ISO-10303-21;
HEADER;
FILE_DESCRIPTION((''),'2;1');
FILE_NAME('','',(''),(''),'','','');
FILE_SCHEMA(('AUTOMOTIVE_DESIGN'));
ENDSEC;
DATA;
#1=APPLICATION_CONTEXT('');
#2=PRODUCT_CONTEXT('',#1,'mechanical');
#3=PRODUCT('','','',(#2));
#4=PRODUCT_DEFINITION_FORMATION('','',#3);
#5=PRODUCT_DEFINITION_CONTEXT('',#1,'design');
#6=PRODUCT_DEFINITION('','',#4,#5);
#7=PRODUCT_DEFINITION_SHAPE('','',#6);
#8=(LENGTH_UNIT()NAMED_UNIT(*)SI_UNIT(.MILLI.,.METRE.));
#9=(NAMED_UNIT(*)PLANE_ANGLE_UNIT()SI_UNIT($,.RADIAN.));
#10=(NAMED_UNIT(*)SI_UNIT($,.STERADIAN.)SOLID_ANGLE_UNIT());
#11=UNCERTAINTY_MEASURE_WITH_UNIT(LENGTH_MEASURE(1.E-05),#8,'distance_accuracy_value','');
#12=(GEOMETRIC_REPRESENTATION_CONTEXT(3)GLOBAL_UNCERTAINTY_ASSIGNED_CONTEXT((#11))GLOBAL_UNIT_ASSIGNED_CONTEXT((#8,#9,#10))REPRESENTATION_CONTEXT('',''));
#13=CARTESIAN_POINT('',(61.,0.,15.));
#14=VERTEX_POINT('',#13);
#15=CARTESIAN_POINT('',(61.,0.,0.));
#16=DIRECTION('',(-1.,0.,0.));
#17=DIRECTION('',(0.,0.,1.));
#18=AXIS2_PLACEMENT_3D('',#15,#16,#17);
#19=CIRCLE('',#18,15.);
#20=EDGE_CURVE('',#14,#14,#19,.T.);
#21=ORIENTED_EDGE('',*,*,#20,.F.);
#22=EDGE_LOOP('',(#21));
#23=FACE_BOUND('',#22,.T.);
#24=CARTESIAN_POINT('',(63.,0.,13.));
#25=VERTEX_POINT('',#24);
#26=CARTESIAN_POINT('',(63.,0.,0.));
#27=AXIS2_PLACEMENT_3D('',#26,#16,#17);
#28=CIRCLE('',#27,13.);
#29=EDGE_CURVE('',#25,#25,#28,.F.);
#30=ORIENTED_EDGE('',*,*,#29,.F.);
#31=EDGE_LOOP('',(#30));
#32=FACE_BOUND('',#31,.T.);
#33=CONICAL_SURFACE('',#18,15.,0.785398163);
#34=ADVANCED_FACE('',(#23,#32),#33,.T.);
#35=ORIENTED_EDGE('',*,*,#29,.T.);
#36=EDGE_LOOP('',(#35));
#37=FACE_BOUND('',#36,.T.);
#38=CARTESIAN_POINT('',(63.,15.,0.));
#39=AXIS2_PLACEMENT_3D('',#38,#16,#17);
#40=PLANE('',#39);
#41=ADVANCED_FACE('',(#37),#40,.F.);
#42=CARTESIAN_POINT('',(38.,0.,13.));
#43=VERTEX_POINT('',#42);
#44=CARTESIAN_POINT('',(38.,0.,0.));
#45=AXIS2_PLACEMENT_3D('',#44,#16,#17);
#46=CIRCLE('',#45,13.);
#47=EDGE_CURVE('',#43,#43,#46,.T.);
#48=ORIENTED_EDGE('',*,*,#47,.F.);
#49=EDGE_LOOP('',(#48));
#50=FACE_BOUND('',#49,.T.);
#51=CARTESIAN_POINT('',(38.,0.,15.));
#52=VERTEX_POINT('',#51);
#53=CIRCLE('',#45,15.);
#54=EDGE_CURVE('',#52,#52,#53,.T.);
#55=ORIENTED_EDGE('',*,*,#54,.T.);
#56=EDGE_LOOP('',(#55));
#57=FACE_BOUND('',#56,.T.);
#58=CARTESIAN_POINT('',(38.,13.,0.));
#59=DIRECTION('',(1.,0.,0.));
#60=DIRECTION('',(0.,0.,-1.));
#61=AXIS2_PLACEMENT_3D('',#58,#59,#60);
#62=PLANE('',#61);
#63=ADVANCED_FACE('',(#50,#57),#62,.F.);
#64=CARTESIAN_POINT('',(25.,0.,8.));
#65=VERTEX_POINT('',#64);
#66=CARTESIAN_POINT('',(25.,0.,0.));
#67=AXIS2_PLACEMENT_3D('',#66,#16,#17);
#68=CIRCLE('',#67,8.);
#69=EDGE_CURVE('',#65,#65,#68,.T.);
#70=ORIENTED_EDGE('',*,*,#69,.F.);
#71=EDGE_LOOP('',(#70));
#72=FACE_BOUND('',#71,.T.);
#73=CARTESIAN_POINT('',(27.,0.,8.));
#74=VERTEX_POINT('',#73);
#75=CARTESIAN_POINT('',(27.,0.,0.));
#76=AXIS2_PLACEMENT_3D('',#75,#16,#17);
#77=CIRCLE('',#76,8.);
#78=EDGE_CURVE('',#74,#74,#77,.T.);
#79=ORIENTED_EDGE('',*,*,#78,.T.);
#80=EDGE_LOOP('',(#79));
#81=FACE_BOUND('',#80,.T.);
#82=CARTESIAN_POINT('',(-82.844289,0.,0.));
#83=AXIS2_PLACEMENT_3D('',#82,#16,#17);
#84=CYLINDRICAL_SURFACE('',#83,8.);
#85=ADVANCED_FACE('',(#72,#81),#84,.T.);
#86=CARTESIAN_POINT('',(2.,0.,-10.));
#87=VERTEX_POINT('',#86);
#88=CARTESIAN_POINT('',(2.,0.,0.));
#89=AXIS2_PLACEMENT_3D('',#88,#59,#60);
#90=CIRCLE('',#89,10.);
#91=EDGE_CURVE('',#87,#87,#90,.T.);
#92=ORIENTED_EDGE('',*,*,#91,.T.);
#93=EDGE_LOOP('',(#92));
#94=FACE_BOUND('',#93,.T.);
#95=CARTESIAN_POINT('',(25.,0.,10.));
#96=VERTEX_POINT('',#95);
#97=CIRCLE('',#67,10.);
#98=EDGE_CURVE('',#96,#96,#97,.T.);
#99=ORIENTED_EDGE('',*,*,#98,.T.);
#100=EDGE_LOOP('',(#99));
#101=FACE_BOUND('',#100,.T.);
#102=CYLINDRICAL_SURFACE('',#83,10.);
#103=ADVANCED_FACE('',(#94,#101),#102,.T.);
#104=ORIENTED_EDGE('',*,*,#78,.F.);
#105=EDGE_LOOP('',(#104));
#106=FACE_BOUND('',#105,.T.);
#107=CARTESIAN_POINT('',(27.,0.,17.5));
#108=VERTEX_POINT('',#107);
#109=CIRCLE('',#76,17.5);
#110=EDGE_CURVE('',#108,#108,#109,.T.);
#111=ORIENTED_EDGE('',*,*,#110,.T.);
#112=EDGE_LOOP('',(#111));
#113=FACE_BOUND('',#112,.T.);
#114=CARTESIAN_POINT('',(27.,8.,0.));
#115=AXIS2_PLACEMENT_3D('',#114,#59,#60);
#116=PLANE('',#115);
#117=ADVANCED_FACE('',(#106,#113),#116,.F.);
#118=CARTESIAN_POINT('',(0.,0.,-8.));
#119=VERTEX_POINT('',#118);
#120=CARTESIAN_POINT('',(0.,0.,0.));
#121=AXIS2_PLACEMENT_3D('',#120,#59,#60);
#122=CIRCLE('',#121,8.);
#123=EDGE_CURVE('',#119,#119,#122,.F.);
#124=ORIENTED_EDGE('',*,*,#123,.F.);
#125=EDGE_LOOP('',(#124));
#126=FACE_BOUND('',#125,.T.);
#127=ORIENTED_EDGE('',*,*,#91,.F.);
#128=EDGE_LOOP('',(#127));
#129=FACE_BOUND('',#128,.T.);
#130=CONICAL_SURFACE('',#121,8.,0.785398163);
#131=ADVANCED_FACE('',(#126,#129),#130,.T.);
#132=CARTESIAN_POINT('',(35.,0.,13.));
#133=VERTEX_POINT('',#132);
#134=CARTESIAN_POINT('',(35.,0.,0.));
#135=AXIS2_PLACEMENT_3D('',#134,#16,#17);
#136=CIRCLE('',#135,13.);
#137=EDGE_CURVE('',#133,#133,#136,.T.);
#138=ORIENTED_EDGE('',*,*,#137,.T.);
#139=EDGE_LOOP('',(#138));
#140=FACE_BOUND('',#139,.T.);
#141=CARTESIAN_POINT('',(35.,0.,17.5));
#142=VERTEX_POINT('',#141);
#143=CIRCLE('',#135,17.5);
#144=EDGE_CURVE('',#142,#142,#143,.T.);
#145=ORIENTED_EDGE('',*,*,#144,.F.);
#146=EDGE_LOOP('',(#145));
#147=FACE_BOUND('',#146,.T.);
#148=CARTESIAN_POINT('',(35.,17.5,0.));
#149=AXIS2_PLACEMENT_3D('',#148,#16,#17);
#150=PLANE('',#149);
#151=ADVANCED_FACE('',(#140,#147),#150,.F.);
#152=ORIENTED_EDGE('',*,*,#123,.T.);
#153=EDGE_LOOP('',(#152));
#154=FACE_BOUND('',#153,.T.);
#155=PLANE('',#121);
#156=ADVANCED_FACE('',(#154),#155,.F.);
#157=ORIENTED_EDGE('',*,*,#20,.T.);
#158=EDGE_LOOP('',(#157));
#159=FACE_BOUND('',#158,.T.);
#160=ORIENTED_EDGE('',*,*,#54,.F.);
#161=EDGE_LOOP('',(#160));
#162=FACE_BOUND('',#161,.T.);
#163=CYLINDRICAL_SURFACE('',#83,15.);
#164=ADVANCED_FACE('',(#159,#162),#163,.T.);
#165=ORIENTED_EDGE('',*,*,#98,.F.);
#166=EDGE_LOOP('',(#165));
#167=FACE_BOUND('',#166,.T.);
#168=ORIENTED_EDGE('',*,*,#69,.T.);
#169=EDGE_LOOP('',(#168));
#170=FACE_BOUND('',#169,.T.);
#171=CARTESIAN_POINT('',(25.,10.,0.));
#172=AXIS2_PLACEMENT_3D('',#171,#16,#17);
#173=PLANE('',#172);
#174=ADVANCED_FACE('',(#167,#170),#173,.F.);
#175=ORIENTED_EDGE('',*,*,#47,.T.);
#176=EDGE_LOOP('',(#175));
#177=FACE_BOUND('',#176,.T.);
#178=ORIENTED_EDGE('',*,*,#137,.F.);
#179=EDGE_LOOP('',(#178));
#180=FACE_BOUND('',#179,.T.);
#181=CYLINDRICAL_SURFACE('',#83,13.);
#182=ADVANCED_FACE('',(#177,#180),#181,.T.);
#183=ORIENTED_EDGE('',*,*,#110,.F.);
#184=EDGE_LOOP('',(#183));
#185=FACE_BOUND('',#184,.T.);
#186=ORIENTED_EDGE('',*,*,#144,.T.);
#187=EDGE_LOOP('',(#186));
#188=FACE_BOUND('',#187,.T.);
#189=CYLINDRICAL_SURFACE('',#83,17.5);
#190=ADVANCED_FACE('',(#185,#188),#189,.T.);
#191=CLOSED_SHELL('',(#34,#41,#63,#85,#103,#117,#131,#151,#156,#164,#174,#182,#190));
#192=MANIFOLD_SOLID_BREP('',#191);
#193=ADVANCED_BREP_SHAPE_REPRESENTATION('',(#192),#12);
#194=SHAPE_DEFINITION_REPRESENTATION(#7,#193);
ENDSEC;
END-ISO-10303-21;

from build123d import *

# Parameters (mm, degrees)
CHAMFER_1_SIZE = 2


with BuildPart() as part:
    # 草图1 → 旋转1 (revolve)
    with BuildSketch(Plane.XY):
        Polygon((0, 0), (0, 10), (25, 10), (25, 8), (27, 8), (27, 17.5), (35, 17.5), (35, 13), (38, 13), (38, 15), (63, 15), (63, 0), align=None)
    revolve(axis=Axis((-82.844288888, 0, 0), (1, 0, 0)))

    # 倒角1
    chamfer_1_edges = [part.edges().sort_by_distance(p)[0] for p in [
        (0, -10, 0),
        (63, -15, 0),
    ]]
    chamfer(chamfer_1_edges, length=CHAMFER_1_SIZE)


solid = part.part
